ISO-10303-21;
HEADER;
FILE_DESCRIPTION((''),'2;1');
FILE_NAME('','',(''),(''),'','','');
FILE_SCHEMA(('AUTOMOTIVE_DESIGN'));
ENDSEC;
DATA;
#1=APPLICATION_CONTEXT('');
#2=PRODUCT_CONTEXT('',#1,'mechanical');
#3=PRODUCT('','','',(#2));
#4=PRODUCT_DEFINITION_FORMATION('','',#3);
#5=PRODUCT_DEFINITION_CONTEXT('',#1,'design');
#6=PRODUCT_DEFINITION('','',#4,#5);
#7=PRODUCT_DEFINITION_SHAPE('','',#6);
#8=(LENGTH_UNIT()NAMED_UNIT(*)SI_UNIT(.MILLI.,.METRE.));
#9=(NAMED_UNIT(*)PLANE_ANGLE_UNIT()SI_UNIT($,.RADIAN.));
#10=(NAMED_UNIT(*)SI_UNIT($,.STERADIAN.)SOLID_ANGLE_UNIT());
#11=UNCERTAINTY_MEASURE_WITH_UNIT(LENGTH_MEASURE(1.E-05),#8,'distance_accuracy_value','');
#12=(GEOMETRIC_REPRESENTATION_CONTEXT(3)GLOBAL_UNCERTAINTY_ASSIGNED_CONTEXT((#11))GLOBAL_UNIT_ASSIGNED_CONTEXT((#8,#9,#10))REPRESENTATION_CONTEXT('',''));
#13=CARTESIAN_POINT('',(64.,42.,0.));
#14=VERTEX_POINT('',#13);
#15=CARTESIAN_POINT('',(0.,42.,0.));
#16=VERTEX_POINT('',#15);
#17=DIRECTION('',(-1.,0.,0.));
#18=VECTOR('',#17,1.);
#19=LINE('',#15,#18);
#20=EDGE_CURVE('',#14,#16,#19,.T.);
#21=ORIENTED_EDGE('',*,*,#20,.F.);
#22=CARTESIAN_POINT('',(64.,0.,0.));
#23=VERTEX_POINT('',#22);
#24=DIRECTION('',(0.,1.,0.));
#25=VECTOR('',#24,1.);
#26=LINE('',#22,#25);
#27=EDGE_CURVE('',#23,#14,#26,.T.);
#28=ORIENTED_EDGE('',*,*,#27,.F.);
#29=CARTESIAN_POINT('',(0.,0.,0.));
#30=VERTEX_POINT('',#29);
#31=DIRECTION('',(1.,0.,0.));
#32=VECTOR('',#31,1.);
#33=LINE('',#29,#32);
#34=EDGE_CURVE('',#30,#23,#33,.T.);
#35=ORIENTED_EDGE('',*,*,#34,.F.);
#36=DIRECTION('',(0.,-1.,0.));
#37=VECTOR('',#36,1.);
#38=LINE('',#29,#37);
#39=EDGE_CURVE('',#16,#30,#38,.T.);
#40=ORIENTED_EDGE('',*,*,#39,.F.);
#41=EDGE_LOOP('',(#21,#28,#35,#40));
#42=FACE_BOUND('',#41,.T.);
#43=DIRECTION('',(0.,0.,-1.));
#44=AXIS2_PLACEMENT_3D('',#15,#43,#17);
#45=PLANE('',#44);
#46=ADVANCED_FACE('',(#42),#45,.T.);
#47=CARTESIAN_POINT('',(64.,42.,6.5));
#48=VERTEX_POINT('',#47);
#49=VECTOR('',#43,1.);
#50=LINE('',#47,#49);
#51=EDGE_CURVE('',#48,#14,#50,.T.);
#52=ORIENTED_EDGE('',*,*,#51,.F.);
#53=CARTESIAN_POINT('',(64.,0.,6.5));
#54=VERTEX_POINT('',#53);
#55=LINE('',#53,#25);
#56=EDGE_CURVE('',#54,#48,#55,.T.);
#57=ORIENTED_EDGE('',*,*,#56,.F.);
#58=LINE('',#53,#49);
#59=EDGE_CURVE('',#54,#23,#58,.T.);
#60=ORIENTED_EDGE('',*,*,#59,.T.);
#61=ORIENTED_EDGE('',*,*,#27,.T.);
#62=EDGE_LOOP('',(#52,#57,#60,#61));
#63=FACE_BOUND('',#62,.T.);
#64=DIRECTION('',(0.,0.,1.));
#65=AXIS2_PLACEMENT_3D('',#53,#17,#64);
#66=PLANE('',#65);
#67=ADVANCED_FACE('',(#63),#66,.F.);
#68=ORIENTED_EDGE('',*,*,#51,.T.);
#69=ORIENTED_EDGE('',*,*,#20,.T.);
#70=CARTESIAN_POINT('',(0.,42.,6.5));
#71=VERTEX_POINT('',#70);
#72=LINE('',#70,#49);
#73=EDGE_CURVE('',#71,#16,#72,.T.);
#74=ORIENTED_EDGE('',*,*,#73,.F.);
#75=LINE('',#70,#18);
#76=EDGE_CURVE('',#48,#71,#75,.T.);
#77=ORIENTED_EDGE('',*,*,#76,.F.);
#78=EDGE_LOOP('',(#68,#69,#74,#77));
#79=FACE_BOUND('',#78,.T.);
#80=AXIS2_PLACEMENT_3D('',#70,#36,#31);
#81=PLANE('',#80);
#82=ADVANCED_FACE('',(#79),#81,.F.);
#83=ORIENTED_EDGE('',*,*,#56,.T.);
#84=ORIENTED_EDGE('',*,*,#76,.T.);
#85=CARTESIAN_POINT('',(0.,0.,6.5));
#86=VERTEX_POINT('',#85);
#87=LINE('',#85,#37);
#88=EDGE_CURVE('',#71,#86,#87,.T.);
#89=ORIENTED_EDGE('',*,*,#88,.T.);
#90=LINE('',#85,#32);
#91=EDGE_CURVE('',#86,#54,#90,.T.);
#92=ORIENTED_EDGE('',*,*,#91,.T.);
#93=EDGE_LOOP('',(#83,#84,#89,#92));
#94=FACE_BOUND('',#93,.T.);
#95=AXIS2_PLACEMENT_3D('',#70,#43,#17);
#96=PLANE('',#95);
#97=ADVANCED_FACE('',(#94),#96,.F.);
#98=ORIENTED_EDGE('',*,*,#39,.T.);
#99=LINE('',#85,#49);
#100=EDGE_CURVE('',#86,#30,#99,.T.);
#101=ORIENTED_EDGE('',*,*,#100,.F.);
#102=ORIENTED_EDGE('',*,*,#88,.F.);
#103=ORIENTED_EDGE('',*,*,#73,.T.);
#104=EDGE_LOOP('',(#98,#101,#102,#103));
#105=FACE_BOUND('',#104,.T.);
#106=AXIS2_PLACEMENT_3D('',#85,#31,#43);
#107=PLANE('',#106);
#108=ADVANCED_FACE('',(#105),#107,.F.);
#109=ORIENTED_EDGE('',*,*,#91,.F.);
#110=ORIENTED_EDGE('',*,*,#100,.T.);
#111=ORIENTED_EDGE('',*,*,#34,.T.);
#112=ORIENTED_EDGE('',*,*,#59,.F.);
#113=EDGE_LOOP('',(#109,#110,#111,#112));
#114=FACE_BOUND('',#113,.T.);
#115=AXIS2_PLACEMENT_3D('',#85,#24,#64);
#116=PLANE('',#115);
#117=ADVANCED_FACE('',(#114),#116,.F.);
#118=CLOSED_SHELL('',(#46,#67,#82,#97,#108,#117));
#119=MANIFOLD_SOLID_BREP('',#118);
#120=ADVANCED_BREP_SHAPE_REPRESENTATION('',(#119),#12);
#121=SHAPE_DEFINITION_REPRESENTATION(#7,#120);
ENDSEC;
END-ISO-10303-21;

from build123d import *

# Parameters (mm, degrees)
ESQUISSE1_W        = 64
ESQUISSE1_H        = 42
BOSS_EXTRU_1_DEPTH = 6.5


with BuildPart() as part:
    # Esquisse1 → Boss.-Extru.1 (new body)
    with BuildSketch(Plane.XY):
        with Locations((32, 21)):
            Rectangle(ESQUISSE1_W, ESQUISSE1_H)
    extrude(amount=BOSS_EXTRU_1_DEPTH)


solid = part.part
